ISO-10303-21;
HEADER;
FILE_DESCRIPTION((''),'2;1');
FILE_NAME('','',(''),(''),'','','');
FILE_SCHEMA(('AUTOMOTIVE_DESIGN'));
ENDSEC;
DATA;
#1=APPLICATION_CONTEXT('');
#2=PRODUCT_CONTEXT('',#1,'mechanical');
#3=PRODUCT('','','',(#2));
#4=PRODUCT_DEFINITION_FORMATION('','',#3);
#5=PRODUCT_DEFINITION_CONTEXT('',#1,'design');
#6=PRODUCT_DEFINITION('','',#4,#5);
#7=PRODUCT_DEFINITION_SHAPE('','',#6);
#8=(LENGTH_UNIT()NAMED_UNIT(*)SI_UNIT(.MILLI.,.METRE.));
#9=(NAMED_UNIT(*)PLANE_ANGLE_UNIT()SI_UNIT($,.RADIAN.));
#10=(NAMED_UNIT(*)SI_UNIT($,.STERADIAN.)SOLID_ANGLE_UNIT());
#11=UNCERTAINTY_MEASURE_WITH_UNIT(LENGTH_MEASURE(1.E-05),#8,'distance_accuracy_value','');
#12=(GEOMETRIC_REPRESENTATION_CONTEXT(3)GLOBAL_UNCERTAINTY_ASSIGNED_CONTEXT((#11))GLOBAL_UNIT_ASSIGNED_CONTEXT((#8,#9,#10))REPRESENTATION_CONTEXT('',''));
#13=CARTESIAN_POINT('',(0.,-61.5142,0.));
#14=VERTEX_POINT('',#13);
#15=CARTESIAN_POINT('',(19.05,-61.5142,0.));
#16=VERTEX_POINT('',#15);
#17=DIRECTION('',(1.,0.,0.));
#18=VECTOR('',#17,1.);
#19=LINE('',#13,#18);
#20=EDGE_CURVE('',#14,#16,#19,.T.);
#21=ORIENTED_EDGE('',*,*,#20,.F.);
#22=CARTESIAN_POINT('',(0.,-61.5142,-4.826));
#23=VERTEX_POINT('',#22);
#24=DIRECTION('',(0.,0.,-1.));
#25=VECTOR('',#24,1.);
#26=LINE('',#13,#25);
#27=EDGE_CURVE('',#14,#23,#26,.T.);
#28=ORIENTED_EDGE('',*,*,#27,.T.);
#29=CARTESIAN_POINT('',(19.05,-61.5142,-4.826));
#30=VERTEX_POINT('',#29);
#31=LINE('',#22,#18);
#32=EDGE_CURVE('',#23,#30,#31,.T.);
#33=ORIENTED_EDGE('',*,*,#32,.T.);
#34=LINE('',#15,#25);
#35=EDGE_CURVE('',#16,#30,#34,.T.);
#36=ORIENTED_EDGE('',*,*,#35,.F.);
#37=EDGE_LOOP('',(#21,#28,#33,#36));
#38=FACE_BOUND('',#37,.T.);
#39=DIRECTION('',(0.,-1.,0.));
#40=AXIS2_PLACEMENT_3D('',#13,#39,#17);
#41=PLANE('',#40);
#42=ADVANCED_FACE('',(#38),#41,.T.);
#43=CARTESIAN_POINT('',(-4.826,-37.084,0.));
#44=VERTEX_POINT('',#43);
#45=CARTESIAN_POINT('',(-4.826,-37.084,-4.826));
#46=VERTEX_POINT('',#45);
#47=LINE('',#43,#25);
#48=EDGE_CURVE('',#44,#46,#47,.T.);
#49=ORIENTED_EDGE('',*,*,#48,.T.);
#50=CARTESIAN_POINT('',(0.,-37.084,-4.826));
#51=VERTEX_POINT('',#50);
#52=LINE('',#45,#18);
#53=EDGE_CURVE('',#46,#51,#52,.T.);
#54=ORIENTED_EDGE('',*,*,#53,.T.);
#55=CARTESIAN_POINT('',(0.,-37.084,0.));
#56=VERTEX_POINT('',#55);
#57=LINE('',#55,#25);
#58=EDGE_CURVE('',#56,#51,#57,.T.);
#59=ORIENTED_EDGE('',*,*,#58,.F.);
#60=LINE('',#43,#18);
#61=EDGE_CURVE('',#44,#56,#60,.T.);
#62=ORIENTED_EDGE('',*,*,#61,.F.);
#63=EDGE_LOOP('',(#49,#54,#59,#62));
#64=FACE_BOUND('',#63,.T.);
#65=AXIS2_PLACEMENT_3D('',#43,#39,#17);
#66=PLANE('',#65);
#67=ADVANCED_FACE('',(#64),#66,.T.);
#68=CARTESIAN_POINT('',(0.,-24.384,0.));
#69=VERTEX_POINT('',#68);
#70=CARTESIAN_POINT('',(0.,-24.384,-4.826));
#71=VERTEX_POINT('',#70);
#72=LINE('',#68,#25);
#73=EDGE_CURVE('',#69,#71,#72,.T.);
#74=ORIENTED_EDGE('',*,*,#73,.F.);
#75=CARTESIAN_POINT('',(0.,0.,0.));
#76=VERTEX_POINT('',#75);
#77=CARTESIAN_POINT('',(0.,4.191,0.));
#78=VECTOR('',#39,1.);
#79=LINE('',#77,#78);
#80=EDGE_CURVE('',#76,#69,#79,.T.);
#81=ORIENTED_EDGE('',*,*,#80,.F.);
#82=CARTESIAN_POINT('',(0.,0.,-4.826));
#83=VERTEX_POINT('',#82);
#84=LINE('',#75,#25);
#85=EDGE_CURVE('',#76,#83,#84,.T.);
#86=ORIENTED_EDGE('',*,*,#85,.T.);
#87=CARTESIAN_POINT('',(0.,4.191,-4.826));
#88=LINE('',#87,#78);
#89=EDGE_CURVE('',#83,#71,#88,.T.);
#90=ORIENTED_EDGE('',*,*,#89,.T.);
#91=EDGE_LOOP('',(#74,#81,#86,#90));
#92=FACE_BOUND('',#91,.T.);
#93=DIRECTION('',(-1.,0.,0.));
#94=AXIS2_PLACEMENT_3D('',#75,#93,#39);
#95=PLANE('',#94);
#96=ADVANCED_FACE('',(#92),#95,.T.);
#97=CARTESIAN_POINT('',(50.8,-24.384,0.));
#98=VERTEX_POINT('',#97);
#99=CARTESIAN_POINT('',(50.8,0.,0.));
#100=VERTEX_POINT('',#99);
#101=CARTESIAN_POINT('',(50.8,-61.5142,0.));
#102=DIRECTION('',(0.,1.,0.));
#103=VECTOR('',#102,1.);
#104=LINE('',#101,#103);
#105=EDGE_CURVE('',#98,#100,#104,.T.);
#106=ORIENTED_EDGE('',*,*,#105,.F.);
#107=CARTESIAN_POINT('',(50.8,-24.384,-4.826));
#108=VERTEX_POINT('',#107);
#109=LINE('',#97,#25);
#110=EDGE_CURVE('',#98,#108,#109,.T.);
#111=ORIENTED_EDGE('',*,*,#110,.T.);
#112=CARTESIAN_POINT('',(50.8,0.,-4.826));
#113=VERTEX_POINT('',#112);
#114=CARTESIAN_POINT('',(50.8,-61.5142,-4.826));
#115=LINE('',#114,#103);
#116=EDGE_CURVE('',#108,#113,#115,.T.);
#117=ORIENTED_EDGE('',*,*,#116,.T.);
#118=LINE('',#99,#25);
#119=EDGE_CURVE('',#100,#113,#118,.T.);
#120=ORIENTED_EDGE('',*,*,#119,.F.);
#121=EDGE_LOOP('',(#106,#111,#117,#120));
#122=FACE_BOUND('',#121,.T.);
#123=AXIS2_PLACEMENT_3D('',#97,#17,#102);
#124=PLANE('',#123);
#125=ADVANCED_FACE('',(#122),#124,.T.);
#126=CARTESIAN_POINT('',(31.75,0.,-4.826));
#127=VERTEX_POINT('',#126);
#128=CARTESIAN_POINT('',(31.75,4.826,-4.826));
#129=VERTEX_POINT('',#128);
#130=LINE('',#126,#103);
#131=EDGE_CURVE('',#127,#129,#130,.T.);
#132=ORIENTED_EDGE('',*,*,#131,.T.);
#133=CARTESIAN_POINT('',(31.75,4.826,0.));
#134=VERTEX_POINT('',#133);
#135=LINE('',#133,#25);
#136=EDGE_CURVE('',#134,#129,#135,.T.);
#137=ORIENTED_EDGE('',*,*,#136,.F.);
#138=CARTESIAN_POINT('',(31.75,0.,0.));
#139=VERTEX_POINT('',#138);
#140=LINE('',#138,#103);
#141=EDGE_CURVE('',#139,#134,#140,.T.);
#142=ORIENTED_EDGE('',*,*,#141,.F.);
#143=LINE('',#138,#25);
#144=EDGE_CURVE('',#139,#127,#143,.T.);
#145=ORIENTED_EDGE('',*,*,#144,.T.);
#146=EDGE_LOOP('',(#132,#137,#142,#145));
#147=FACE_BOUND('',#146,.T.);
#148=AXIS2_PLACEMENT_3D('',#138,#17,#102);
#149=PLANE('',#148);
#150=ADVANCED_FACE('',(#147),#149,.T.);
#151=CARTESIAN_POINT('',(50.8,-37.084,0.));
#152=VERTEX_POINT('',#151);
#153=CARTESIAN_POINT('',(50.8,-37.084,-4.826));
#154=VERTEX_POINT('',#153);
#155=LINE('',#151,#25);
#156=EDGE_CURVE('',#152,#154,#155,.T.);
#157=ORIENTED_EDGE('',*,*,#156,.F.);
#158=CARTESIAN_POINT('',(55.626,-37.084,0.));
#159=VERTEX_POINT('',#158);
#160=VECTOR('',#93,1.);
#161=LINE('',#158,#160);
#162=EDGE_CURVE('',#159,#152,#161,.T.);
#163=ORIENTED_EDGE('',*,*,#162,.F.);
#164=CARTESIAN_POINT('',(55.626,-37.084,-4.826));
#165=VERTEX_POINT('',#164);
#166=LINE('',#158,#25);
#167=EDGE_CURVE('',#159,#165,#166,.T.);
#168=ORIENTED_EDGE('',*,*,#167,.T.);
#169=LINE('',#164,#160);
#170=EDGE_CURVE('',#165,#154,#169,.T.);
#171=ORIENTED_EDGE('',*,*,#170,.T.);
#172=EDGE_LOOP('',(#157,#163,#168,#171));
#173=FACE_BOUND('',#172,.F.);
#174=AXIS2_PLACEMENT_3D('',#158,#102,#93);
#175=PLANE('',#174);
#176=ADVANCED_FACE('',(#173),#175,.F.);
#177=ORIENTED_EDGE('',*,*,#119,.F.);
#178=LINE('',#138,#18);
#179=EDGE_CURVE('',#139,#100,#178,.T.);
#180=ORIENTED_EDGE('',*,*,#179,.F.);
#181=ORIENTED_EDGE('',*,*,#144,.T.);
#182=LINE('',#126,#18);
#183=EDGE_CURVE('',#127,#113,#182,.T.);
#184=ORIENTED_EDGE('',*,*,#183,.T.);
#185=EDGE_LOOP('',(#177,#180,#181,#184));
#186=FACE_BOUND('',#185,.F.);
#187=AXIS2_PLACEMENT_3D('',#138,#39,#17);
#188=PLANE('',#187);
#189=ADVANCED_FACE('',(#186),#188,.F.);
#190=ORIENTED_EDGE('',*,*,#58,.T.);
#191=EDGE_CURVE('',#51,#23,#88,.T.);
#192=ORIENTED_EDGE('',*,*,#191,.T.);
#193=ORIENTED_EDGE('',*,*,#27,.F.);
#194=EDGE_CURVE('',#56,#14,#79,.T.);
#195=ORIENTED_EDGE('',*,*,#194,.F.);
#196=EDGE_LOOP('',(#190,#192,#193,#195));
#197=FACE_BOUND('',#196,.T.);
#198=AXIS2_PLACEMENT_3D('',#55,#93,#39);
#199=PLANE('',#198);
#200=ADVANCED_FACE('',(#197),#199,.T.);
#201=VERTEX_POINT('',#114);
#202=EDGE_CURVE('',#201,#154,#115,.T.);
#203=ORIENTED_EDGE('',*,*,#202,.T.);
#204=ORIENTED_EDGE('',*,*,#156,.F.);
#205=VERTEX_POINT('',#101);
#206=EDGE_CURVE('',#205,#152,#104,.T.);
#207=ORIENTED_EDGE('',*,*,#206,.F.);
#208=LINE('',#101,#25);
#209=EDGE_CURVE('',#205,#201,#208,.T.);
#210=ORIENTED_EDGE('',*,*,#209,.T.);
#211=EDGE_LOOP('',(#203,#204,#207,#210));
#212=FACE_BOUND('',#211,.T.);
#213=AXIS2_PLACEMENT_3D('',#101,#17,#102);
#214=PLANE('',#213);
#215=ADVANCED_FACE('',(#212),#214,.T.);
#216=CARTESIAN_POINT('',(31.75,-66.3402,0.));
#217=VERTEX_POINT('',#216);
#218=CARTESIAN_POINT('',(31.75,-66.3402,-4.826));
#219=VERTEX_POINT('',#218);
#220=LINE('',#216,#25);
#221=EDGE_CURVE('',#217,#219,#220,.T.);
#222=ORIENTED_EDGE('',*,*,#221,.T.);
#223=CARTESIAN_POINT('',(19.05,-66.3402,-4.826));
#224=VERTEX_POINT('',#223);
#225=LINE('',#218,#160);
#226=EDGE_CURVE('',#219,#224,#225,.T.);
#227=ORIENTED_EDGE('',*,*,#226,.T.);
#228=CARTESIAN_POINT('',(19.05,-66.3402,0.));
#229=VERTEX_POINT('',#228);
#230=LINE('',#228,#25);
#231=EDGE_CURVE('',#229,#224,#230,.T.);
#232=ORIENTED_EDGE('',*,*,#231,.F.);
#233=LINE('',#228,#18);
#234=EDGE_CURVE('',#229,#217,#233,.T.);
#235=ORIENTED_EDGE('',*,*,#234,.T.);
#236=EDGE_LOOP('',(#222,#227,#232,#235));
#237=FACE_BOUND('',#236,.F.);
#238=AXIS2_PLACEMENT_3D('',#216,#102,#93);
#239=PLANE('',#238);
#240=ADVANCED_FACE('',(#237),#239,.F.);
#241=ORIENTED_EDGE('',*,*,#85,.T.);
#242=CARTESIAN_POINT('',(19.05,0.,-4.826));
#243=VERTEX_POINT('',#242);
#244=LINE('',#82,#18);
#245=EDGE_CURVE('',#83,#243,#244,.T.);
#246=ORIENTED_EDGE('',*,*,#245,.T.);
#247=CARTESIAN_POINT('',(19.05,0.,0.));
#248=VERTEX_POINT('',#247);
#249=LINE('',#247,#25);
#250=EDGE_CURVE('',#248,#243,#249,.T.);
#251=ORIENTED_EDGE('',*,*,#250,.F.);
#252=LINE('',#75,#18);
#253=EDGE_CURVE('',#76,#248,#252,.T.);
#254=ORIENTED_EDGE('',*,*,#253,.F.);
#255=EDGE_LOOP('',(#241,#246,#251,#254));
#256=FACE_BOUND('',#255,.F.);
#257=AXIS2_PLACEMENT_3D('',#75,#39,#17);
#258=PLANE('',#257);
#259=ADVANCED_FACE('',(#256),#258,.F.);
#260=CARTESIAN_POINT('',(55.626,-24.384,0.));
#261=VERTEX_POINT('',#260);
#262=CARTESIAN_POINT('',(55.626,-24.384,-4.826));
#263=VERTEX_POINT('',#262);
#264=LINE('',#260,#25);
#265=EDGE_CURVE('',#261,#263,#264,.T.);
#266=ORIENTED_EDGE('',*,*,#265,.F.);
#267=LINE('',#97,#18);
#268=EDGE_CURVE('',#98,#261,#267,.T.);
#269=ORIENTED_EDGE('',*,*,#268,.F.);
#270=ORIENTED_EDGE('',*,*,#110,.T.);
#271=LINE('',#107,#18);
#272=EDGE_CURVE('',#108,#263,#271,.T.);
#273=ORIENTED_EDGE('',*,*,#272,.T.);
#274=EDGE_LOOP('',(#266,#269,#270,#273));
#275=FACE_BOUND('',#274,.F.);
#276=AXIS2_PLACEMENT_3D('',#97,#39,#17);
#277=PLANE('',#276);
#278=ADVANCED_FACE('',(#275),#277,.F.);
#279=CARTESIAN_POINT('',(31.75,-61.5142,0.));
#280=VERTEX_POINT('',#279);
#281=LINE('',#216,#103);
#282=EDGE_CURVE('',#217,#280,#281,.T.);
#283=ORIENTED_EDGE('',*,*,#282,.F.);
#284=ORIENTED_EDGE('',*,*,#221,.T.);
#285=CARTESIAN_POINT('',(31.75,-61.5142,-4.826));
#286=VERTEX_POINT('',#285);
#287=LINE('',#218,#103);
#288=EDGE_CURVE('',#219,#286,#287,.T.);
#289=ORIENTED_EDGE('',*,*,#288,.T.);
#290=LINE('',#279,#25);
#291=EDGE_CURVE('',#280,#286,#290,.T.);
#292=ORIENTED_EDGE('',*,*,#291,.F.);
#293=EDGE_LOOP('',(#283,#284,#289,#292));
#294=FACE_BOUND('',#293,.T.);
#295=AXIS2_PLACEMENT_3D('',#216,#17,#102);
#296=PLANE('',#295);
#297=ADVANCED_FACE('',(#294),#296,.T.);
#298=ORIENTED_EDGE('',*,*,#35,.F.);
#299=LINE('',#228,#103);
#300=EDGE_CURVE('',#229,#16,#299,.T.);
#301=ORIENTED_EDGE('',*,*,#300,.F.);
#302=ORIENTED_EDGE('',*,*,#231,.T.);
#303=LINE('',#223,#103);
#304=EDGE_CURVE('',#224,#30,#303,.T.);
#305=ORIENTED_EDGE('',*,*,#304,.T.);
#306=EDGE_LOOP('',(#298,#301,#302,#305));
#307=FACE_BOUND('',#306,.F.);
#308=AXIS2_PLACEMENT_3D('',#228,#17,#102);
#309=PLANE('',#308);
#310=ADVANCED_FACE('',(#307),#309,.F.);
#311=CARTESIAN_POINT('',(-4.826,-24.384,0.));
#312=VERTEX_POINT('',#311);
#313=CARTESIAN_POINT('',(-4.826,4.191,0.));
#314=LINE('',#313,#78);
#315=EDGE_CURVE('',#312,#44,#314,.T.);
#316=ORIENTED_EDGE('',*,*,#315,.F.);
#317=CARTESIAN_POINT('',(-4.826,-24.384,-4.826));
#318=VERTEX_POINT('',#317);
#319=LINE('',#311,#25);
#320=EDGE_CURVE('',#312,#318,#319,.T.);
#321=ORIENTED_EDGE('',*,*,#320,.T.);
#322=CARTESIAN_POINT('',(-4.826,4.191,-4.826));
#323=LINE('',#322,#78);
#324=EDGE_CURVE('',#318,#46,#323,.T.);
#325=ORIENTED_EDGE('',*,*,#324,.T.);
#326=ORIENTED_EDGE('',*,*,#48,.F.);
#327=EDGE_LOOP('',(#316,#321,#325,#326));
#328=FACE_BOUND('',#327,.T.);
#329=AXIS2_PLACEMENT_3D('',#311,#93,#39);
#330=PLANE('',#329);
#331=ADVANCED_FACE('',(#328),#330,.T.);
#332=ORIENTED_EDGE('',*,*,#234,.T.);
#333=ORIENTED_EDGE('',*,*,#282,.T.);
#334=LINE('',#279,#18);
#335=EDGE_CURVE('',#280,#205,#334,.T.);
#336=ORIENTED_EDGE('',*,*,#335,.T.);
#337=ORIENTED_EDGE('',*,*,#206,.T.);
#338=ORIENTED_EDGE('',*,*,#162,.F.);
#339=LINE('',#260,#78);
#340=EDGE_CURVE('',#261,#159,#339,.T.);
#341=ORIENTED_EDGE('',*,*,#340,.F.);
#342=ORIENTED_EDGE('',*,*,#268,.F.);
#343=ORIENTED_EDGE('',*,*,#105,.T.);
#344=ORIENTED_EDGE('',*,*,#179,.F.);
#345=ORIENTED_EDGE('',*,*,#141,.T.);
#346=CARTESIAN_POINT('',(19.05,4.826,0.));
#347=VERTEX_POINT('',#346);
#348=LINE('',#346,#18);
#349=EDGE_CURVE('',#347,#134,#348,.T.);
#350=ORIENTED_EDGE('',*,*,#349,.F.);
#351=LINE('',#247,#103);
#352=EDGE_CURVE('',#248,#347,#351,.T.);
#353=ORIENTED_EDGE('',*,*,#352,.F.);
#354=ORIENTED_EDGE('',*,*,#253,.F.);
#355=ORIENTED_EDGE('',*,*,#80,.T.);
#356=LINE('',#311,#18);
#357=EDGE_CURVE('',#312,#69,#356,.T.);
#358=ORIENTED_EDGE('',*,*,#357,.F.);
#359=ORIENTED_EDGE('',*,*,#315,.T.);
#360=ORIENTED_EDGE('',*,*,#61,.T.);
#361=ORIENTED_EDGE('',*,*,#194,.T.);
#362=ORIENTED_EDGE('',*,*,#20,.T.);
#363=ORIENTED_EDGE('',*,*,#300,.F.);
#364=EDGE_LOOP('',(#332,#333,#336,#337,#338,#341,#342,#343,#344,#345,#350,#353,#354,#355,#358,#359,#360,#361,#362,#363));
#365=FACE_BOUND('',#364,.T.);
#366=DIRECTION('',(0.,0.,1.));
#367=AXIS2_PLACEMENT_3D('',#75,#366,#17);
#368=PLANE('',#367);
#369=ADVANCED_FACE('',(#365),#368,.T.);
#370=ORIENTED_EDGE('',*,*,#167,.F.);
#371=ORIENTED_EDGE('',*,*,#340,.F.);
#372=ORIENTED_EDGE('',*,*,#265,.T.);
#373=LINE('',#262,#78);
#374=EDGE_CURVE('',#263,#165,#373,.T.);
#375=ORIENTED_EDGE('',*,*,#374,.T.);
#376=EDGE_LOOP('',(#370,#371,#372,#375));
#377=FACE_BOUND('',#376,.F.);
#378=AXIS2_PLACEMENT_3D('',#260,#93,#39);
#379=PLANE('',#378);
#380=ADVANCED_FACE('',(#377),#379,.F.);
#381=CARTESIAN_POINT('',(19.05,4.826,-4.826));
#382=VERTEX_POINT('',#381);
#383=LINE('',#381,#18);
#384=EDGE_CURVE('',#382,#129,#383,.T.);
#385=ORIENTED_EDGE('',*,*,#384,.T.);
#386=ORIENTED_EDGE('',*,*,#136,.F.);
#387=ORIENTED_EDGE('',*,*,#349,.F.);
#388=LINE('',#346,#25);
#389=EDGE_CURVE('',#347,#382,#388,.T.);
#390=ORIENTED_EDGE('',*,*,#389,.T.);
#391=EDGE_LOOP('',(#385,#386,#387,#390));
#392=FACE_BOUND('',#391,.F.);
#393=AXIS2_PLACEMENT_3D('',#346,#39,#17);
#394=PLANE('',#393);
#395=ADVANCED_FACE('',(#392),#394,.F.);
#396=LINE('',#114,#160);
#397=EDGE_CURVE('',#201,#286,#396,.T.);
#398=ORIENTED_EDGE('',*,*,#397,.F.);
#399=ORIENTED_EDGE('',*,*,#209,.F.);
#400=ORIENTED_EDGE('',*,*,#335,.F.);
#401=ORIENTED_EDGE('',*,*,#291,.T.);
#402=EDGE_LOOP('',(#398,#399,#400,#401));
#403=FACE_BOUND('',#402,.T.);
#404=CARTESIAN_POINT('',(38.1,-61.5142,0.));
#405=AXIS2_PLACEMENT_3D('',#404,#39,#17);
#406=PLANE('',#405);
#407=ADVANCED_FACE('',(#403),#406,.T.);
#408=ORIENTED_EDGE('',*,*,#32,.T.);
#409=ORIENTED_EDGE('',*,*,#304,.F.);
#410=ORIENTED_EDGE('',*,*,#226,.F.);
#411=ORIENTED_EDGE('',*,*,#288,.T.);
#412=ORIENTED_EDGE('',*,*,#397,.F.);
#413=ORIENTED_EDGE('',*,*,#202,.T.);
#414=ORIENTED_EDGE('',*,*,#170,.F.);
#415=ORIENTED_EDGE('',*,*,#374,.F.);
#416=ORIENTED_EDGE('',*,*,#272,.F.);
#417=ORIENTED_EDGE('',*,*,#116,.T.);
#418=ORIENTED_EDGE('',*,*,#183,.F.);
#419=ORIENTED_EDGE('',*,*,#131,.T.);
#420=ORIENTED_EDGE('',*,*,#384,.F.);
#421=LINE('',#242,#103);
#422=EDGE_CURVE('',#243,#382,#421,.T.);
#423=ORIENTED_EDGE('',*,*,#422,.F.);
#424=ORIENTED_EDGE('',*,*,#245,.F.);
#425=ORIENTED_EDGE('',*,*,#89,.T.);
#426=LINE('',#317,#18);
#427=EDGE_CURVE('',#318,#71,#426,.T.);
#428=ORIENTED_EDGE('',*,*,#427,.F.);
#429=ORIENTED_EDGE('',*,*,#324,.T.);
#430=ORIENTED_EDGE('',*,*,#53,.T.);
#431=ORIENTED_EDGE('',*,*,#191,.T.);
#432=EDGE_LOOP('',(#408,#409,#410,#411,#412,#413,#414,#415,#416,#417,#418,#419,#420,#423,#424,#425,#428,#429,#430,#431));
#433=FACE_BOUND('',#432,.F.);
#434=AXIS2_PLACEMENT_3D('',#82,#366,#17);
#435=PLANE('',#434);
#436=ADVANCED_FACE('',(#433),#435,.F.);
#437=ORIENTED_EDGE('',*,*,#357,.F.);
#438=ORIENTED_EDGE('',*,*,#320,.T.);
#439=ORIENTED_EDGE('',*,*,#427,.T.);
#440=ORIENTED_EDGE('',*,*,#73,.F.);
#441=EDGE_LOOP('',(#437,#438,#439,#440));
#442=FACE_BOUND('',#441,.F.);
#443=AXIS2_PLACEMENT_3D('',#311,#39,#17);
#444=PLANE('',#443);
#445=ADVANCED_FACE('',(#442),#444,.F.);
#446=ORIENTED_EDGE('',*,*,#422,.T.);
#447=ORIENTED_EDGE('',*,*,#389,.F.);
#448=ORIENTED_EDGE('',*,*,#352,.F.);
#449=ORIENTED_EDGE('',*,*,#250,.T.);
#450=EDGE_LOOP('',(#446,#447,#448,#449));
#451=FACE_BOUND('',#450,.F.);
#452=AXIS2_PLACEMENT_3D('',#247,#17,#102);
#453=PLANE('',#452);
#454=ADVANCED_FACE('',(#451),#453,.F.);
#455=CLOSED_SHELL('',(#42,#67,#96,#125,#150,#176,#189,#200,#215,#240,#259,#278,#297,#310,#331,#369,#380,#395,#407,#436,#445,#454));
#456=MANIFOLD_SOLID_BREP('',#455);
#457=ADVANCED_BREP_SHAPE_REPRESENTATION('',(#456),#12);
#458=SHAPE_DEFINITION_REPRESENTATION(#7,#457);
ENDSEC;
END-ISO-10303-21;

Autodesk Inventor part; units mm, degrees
ref_plane "YZ Plane" through (0, 0, 0) normal (1, 0, 0) x (0, 1, 0)
ref_plane "XZ Plane" through (0, 0, 0) normal (0, 1, 0) x (-1, 0, 0)
ref_plane "XY Plane" through (0, 0, 0) normal (0, 0, 1) x (1, 0, 0)
sketch "Sketch1" plane through (0, 0, 0) normal (0, 0, 1) x (1, 0, 0)
  line L0 (0, 0) -> (19.05, 0) projected
  line L1 (19.05, 0) -> (19.05, 4.826) projected
  line L2 (0, 4.826) -> (19.05, 4.826) projected
  line L3 (0, 0) -> (0, 4.826) projected
  line L4 (19.05, 0) -> (31.75, 0) projected
  line L5 (31.75, 0) -> (31.75, 4.826) projected
  line L6 (19.05, 4.826) -> (31.75, 4.826) projected
  line L7 (19.05, 0) -> (19.05, 4.826) projected
  line L8 (31.75, 0) -> (50.8, 0) projected
  line L9 (50.8, 0) -> (50.8, 4.826) projected
  line L10 (31.75, 4.826) -> (50.8, 4.826) projected
  line L11 (31.75, 0) -> (31.75, 4.826) projected
  line L12 (50.8, 4.826) -> (55.626, 4.826) projected
  line L13 (50.8, 0) -> (50.8, 4.826) projected
  line L14 (55.626, 0) -> (50.8, 0) projected
  line L15 (55.626, 4.826) -> (55.626, 0) projected
  line L16 (50.8, -61.5142) -> (55.626, -61.5142) projected
  line L17 (50.8, -66.3402) -> (50.8, -61.5142) projected
  line L18 (55.626, -66.3402) -> (50.8, -66.3402) projected
  line L19 (55.626, -61.5142) -> (55.626, -66.3402) projected
  line L20 (31.75, -66.3402) -> (50.8, -66.3402) projected
  line L21 (50.8, -66.3402) -> (50.8, -61.5142) projected
  line L22 (31.75, -61.5142) -> (50.8, -61.5142) projected
  line L23 (31.75, -66.3402) -> (31.75, -61.5142) projected
  line L24 (38.1, -66.3402) -> (38.1, -61.5142) projected
  line L25 (25.4, -61.5142) -> (31.75, -61.5142) projected
  line L26 (0, -66.3402) -> (25.4, -66.3402) projected
  line L27 (0, -61.5142) -> (25.4, -61.5142) projected
  line L28 (0, -66.3402) -> (0, -61.5142) projected
  line L29 (-4.826, 4.191) -> (-4.826, -65.659) projected
  line L30 (0, 4.191) -> (0, -65.659) projected
  line L31 (-4.826, -37.084) -> (-4.826, -24.384) projected
  line L32 (-4.826, -37.084) -> (0, -37.084) projected
  line L33 (0, -24.384) -> (0, -37.084) projected
  line L34 (-4.826, -24.384) -> (0, -24.384) projected
  line L35 (31.75, 4.826) -> (19.05, 4.826)
  line L36 (19.05, 4.826) -> (19.05, 0)
  line L37 (19.05, 0) -> (31.75, 0)
  line L38 (31.75, 0) -> (31.75, 4.826)
  line L39 (31.75, -61.5142) -> (19.05, -61.5142)
  line L40 (0, -24.384) -> (-4.826, -24.384)
  line L41 (-4.826, -24.384) -> (-4.826, -37.084)
  line L42 (-4.826, -37.084) -> (0, -37.084)
  line L43 (0, -37.084) -> (0, -24.384)
  line L44 (50.8, 0) -> (0, 0)
  line L45 (0, 0) -> (0, -61.5142)
  line L46 (0, -61.5142) -> (50.8, -61.5142)
  line L47 (50.8, -61.5142) -> (50.8, 0)
  line L48 (31.75, -66.3402) -> (19.05, -66.3402)
  line L49 (19.05, -66.3402) -> (19.05, -61.5142)
  line L50 (19.05, -61.5142) -> (31.75, -61.5142)
  line L51 (31.75, -61.5142) -> (31.75, -66.3402)
  line L52 (31.75, 0) -> (19.05, 0)
  line L53 (19.05, 0) -> (19.05, 4.826)
  line L54 (19.05, 4.826) -> (31.75, 4.826)
  line L55 (31.75, 4.826) -> (31.75, 0)
  line L56 (50.8, -24.384) -> (55.626, -24.384)
  line L57 (55.626, -24.384) -> (55.626, -37.084)
  line L58 (55.626, -37.084) -> (50.8, -37.084)
  line L59 (50.8, -37.084) -> (50.8, -24.384)
  line L60 (0, -65.659) -> (-4.826, -65.659) projected
  line L61 (-4.826, 4.191) -> (0, 4.191) projected
  point P0 (50.8, -37.084)
ref_plane "Work Plane2" through (0, 0, 0) normal (0, 0, 1) x (1, 0, 0)
sketch "Sketch2" plane through (0, 0, 0) normal (0, 0, 1) x (1, 0, 0)
  point P0 (0, 0)
ref_plane "Work Plane1" through (0, 0, -4.826) normal (0, 0, -1) x (-1, 0, 0)
sketch "Sketch3" plane through (0, 0, -4.826) normal (0, 0, -1) x (-1, 0, 0)
  point P0 (0, 0)
extrude "Extrusion2" add sketch "Sketch1" against normal blind 4.826 contours L0 L4 L8 L47 L22 L25 L27 L30 | L1 L6 L5 L4 | L30 L32 L29 L34 | L56 L57 L58 L47 | L27 L25 L23 L48 L26 L49
properties part number "back"
